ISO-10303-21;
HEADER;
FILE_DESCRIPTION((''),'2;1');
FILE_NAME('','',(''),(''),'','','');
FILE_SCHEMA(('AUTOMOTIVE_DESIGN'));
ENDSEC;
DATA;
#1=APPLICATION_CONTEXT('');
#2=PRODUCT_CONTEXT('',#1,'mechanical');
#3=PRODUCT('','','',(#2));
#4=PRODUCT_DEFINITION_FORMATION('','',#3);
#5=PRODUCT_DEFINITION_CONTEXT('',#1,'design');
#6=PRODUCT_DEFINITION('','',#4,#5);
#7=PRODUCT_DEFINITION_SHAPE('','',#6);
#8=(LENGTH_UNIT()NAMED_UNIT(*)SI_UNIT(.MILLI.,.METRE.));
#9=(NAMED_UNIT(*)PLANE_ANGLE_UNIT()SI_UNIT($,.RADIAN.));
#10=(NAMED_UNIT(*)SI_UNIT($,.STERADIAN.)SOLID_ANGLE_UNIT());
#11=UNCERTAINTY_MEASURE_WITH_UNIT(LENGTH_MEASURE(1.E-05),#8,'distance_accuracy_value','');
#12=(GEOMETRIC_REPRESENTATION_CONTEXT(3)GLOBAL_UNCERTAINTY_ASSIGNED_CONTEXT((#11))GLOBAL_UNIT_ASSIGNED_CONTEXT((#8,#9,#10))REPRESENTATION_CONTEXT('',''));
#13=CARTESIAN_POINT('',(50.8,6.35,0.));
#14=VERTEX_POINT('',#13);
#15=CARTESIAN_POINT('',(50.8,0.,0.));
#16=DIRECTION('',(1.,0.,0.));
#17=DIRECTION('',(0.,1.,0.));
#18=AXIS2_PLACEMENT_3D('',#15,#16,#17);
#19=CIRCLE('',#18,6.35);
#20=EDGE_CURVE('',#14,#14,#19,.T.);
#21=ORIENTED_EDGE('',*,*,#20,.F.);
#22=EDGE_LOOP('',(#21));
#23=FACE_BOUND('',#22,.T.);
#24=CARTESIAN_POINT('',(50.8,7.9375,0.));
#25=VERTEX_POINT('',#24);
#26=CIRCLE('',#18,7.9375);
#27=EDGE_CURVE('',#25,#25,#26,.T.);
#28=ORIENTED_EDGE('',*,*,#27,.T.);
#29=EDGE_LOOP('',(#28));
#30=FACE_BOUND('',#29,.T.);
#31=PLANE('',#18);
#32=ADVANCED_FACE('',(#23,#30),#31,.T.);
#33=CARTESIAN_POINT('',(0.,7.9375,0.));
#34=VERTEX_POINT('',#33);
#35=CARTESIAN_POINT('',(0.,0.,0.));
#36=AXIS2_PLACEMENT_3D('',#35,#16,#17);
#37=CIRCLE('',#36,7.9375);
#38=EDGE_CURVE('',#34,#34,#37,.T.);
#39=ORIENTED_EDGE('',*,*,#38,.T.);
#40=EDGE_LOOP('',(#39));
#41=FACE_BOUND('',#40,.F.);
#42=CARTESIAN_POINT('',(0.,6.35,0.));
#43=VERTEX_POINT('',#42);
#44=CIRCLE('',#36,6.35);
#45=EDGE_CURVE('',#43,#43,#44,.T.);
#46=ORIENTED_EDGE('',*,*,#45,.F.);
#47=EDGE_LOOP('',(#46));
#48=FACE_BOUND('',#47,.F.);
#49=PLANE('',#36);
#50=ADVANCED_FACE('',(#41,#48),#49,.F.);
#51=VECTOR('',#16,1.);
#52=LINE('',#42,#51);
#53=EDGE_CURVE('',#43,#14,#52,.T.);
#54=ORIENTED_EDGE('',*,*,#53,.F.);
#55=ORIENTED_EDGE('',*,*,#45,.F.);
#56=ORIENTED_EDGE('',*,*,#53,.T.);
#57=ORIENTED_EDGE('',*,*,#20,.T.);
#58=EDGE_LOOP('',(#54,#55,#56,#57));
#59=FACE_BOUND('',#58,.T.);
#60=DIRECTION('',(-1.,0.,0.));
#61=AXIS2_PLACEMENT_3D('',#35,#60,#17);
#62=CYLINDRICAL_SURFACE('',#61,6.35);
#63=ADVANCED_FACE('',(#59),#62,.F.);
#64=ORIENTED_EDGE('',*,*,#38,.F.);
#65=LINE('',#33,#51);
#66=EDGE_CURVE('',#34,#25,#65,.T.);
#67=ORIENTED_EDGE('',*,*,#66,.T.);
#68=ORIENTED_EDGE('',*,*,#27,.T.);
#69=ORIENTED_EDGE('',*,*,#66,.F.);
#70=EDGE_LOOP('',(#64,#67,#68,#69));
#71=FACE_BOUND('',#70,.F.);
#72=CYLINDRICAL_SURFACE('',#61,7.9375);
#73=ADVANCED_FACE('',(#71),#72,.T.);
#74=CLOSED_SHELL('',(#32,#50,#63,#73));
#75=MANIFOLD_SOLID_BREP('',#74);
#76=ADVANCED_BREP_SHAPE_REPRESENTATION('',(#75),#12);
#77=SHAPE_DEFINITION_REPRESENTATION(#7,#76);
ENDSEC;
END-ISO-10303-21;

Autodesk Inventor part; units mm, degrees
ref_plane "YZ Plane" through (0, 0, 0) normal (1, 0, 0) x (0, 1, 0)
ref_plane "XZ Plane" through (0, 0, 0) normal (0, 1, 0) x (-1, 0, 0)
ref_plane "XY Plane" through (0, 0, 0) normal (0, 0, 1) x (1, 0, 0)
sketch "Sketch1" plane through (0, 0, 0) normal (1, 0, 0) x (0, 1, 0)
  circle A0 centre (0, 0) radius 6.35
  circle A1 centre (0, 0) radius 7.9375
  dimension "d0" = 12.7
  dimension "d1" = 15.875
extrude "Extrusion1" add sketch "Sketch1" along normal blind 50.8
properties part number "spacer"
